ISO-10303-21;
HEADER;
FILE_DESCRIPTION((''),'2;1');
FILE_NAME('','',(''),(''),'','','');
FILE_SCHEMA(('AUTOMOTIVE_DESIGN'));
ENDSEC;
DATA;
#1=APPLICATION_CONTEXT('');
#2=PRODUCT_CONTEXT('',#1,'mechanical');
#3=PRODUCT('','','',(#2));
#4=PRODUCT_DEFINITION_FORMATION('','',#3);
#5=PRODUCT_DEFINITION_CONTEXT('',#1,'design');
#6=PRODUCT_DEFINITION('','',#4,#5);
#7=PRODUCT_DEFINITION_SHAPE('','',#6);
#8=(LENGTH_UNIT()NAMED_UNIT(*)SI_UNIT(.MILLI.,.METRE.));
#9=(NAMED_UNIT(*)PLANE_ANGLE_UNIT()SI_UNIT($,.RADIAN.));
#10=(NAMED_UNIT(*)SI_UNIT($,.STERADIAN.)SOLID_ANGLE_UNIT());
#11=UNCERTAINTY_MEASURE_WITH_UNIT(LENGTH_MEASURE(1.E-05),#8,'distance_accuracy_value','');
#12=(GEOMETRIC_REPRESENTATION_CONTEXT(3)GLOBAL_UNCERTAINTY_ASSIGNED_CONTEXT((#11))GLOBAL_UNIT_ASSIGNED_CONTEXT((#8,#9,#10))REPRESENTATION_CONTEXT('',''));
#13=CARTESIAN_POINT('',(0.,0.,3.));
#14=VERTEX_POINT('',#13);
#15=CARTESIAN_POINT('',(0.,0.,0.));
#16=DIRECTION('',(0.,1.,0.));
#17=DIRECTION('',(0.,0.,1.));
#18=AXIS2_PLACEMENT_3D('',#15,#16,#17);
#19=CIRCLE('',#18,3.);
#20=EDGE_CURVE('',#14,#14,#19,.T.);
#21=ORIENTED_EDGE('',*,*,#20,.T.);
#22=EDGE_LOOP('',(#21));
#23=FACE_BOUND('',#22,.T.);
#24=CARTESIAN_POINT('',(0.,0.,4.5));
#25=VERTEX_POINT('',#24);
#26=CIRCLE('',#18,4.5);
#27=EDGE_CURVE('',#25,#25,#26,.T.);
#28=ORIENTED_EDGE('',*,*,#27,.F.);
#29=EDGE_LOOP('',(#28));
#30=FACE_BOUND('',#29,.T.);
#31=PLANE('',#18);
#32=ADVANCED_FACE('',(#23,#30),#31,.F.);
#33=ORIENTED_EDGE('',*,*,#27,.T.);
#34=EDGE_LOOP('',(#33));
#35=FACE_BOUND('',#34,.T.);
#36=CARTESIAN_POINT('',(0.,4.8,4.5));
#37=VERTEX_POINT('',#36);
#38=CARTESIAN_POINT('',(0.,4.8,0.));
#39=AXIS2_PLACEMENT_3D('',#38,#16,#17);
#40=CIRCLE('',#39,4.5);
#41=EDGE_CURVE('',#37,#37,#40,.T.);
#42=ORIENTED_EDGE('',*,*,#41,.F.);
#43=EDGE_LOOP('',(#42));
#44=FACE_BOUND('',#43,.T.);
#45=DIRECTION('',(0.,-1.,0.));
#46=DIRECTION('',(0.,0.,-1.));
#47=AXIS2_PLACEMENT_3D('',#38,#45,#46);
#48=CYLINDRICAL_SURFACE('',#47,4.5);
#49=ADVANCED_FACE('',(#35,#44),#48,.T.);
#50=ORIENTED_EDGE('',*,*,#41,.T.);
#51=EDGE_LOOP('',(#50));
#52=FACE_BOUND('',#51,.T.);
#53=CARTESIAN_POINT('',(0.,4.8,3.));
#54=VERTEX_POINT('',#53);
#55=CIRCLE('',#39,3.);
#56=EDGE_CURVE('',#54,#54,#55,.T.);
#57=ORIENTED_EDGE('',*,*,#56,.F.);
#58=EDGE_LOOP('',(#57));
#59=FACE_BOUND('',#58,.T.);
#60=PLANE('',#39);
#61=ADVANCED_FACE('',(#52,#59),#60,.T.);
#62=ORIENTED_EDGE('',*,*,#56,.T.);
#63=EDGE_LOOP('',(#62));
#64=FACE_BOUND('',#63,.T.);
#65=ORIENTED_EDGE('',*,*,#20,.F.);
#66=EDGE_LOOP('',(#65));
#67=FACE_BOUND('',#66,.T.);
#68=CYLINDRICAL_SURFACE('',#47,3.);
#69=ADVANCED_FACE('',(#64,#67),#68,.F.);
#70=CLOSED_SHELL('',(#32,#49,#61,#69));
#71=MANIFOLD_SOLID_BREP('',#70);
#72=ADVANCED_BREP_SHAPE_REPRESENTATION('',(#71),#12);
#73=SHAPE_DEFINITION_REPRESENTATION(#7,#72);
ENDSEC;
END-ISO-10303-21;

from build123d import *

# Parameters (mm, degrees)
SKETCH_1_R      = 4.5
SKETCH_1_R_2    = 3
EXTRUDE_1_DEPTH = 4.8


with BuildPart() as part:
    # ｽｹｯﾁ1 → ﾎﾞｽ - 押し出し1 (new body)
    with BuildSketch(Plane(origin=(0, 0, 0), x_dir=(1, 0, 0), z_dir=(0, 1, 0))):
        with Locations(Location((0, 0, 0), (0, 0, 270))):
            Circle(SKETCH_1_R)
        with Locations(Location((0, 0, 0), (0, 0, 270))):
            Circle(SKETCH_1_R_2, mode=Mode.SUBTRACT)
    extrude(amount=EXTRUDE_1_DEPTH)


solid = part.part
